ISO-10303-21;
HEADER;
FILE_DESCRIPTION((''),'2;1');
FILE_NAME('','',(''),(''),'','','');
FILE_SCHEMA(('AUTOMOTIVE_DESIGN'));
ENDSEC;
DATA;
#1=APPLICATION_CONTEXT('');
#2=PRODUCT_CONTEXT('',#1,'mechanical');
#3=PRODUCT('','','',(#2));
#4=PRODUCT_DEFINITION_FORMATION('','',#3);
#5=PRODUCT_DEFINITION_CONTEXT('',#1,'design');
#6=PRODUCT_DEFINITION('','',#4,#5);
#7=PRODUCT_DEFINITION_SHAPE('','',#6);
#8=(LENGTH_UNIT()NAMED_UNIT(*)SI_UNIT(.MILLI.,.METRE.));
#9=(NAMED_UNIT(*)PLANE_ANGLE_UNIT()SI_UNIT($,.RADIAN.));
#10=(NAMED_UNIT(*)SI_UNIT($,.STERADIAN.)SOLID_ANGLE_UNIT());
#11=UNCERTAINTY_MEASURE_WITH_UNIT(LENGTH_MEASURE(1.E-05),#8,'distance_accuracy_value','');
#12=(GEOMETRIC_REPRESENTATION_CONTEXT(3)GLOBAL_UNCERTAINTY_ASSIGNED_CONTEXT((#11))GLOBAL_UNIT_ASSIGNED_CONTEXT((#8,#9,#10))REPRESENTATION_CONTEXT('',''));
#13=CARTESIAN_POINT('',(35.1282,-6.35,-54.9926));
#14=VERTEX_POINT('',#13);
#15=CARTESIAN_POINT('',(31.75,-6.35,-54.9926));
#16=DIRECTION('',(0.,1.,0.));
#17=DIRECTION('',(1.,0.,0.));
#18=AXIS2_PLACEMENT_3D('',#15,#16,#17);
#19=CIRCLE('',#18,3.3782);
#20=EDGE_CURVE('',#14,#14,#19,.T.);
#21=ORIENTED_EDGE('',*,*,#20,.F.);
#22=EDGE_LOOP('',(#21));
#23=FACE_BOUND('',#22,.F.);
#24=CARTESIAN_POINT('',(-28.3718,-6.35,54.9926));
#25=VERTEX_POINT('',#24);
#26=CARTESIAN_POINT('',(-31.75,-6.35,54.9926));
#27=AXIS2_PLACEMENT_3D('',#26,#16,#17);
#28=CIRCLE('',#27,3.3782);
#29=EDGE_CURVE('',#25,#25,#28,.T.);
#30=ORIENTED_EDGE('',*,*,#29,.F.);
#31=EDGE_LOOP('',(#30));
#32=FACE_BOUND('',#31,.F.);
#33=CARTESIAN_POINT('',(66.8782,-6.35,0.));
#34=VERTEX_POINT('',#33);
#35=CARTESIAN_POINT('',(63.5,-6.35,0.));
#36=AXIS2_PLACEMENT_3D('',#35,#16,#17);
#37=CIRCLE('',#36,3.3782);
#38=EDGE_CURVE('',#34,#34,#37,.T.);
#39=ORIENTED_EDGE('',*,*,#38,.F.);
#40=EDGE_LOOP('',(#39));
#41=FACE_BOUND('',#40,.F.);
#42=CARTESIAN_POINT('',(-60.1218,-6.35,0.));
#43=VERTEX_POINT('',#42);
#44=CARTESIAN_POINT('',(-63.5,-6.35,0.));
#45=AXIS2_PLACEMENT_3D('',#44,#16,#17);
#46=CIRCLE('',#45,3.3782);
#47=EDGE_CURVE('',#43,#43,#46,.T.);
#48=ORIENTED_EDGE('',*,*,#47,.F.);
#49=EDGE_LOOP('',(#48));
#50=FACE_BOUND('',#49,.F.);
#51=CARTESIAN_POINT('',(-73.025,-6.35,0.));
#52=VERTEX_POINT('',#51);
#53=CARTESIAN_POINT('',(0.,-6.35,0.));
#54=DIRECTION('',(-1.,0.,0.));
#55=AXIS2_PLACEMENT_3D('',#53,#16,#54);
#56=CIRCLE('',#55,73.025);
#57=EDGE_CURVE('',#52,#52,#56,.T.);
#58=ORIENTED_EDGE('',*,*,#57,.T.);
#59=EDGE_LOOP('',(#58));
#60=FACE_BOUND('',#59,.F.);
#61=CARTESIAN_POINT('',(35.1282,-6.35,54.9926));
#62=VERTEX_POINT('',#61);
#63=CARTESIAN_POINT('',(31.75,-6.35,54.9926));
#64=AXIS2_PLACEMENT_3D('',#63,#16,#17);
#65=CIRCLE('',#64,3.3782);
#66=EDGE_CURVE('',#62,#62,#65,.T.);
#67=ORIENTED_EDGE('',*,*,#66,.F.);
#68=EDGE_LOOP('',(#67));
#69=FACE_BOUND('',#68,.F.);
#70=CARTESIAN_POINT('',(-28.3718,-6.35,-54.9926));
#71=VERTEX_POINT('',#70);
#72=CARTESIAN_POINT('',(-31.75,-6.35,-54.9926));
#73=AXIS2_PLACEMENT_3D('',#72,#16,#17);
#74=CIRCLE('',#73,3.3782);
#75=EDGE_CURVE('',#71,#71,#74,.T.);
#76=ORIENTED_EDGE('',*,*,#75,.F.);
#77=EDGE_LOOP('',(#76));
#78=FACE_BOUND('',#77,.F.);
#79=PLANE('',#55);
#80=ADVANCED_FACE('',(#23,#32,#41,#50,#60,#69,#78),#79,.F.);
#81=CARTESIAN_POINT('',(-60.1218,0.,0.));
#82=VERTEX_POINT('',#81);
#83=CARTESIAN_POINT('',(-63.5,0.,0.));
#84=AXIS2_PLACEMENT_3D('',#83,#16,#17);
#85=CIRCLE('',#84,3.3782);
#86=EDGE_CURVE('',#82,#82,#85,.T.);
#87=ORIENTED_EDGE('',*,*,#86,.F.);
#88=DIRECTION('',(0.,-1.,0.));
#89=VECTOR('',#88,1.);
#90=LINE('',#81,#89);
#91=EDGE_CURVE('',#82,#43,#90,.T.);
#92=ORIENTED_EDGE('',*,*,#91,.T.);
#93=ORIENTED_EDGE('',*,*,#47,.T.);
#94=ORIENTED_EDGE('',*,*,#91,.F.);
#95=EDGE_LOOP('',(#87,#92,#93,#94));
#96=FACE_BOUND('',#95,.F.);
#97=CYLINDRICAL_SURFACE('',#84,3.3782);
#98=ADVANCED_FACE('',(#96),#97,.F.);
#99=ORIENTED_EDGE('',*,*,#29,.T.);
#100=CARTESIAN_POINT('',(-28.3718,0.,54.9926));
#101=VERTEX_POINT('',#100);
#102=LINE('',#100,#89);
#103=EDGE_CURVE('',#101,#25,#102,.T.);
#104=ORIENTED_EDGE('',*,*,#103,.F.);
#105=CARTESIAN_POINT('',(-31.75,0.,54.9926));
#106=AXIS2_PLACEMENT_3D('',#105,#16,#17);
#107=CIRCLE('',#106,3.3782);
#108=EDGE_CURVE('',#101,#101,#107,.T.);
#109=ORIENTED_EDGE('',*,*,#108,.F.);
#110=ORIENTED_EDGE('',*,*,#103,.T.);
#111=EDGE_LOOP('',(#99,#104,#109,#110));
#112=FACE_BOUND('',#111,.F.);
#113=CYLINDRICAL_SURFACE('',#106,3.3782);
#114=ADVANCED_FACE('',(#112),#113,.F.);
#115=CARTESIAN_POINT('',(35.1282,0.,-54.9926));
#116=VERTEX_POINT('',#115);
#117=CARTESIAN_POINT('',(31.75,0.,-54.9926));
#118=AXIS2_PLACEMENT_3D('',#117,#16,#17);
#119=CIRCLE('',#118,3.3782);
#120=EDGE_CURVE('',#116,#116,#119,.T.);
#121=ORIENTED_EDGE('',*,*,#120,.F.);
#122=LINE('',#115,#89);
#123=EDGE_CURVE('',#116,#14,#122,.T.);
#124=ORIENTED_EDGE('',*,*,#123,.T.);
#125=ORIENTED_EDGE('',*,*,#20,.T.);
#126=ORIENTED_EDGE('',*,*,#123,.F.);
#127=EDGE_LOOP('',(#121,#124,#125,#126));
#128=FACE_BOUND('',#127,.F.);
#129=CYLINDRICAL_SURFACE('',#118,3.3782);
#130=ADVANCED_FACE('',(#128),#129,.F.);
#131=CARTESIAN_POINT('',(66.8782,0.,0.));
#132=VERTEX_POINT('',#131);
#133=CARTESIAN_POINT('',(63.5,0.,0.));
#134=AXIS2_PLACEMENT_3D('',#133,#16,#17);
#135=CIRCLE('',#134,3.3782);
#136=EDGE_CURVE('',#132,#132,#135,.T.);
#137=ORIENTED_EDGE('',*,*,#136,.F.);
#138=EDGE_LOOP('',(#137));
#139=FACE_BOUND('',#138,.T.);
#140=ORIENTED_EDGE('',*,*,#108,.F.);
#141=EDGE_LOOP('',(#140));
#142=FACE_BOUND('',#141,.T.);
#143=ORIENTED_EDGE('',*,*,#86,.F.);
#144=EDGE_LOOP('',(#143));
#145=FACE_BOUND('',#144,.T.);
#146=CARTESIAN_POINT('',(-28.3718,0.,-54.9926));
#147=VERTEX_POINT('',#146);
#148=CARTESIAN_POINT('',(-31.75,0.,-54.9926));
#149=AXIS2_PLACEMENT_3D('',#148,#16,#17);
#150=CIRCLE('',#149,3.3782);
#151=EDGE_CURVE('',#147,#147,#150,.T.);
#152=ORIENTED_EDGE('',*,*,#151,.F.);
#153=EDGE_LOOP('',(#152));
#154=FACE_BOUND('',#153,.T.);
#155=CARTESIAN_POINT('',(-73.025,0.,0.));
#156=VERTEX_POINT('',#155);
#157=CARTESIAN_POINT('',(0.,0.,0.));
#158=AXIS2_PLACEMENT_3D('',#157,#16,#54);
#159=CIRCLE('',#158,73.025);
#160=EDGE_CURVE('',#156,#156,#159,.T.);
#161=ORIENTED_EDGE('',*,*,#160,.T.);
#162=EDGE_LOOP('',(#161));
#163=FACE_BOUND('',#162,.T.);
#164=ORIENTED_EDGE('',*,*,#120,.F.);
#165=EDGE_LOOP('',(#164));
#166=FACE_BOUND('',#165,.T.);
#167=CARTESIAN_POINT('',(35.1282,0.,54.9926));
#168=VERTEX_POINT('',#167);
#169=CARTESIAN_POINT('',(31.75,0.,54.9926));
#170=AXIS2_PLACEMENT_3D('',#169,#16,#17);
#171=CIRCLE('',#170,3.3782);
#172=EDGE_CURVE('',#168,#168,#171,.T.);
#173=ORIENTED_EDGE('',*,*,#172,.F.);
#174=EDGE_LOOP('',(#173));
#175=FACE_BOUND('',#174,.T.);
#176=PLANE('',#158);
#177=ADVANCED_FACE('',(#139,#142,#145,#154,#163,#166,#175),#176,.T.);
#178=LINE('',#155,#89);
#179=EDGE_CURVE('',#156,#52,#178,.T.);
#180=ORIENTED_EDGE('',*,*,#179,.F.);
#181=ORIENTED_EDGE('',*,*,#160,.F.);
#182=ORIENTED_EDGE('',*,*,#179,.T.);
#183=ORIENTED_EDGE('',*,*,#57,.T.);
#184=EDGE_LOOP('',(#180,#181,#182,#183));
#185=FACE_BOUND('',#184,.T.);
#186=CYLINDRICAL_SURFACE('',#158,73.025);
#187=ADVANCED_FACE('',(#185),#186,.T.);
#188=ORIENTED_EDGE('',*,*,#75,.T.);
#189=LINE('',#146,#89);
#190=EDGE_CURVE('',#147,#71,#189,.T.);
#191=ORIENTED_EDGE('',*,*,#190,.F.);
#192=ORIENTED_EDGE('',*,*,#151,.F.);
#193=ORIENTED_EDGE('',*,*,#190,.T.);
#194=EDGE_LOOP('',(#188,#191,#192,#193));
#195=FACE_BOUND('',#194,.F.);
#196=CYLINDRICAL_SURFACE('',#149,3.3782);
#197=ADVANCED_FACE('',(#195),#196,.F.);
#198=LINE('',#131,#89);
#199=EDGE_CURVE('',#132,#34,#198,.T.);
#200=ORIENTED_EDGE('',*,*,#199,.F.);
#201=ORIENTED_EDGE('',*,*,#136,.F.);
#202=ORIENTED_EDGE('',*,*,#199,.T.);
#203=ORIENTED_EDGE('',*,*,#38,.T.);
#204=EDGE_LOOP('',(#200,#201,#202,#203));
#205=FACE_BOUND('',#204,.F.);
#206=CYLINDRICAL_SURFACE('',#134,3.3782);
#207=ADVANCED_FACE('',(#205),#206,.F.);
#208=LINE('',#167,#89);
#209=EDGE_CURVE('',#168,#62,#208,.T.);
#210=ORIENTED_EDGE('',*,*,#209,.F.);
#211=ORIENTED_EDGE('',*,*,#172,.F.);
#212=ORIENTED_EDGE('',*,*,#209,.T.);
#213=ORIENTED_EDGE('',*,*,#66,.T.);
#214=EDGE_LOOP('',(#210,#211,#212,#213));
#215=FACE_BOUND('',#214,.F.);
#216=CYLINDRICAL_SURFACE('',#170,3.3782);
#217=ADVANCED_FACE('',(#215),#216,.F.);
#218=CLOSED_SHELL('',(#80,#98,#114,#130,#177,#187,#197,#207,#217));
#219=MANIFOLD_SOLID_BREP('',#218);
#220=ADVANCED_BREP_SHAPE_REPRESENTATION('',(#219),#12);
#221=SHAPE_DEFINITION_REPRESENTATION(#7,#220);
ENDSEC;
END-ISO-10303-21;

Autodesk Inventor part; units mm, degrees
ref_plane "YZ Plane" through (0, 0, 0) normal (1, 0, 0) x (0, 1, 0)
ref_plane "XZ Plane" through (0, 0, 0) normal (0, 1, 0) x (-1, 0, 0)
ref_plane "XY Plane" through (0, 0, 0) normal (0, 0, 1) x (1, 0, 0)
sketch "Sketch1" plane through (0, 0, 0) normal (0, 1, 0) x (-1, 0, 0)
  circle A0 centre (0, 0) radius 73.025
  dimension "d4" = 146.05
extrude "Extrusion1" add sketch "Sketch1" against normal blind 6.35
sketch "Sketch7" plane through (0, 0, 0) normal (0, 1, 0) x (1, 0, 0)
  circle A0 centre (-63.5, 0) radius 3.3782
  circle A1 centre (-31.75, -54.9926) radius 3.3782
  circle A2 centre (31.75, -54.9926) radius 3.3782
  circle A3 centre (63.5, 0) radius 3.3782
  circle A4 centre (31.75, 54.9926) radius 3.3782
  circle A5 centre (-31.75, 54.9926) radius 3.3782
  point P0 (0, 0)
  dimension "d32" = 6.7564
  dimension "d33" = 63.5
  dimension "d36" = 360
extrude "Extrusion5" cut sketch "Sketch7" against normal through all
properties part number "SupportPlateForWater" material "PET Plastic"
